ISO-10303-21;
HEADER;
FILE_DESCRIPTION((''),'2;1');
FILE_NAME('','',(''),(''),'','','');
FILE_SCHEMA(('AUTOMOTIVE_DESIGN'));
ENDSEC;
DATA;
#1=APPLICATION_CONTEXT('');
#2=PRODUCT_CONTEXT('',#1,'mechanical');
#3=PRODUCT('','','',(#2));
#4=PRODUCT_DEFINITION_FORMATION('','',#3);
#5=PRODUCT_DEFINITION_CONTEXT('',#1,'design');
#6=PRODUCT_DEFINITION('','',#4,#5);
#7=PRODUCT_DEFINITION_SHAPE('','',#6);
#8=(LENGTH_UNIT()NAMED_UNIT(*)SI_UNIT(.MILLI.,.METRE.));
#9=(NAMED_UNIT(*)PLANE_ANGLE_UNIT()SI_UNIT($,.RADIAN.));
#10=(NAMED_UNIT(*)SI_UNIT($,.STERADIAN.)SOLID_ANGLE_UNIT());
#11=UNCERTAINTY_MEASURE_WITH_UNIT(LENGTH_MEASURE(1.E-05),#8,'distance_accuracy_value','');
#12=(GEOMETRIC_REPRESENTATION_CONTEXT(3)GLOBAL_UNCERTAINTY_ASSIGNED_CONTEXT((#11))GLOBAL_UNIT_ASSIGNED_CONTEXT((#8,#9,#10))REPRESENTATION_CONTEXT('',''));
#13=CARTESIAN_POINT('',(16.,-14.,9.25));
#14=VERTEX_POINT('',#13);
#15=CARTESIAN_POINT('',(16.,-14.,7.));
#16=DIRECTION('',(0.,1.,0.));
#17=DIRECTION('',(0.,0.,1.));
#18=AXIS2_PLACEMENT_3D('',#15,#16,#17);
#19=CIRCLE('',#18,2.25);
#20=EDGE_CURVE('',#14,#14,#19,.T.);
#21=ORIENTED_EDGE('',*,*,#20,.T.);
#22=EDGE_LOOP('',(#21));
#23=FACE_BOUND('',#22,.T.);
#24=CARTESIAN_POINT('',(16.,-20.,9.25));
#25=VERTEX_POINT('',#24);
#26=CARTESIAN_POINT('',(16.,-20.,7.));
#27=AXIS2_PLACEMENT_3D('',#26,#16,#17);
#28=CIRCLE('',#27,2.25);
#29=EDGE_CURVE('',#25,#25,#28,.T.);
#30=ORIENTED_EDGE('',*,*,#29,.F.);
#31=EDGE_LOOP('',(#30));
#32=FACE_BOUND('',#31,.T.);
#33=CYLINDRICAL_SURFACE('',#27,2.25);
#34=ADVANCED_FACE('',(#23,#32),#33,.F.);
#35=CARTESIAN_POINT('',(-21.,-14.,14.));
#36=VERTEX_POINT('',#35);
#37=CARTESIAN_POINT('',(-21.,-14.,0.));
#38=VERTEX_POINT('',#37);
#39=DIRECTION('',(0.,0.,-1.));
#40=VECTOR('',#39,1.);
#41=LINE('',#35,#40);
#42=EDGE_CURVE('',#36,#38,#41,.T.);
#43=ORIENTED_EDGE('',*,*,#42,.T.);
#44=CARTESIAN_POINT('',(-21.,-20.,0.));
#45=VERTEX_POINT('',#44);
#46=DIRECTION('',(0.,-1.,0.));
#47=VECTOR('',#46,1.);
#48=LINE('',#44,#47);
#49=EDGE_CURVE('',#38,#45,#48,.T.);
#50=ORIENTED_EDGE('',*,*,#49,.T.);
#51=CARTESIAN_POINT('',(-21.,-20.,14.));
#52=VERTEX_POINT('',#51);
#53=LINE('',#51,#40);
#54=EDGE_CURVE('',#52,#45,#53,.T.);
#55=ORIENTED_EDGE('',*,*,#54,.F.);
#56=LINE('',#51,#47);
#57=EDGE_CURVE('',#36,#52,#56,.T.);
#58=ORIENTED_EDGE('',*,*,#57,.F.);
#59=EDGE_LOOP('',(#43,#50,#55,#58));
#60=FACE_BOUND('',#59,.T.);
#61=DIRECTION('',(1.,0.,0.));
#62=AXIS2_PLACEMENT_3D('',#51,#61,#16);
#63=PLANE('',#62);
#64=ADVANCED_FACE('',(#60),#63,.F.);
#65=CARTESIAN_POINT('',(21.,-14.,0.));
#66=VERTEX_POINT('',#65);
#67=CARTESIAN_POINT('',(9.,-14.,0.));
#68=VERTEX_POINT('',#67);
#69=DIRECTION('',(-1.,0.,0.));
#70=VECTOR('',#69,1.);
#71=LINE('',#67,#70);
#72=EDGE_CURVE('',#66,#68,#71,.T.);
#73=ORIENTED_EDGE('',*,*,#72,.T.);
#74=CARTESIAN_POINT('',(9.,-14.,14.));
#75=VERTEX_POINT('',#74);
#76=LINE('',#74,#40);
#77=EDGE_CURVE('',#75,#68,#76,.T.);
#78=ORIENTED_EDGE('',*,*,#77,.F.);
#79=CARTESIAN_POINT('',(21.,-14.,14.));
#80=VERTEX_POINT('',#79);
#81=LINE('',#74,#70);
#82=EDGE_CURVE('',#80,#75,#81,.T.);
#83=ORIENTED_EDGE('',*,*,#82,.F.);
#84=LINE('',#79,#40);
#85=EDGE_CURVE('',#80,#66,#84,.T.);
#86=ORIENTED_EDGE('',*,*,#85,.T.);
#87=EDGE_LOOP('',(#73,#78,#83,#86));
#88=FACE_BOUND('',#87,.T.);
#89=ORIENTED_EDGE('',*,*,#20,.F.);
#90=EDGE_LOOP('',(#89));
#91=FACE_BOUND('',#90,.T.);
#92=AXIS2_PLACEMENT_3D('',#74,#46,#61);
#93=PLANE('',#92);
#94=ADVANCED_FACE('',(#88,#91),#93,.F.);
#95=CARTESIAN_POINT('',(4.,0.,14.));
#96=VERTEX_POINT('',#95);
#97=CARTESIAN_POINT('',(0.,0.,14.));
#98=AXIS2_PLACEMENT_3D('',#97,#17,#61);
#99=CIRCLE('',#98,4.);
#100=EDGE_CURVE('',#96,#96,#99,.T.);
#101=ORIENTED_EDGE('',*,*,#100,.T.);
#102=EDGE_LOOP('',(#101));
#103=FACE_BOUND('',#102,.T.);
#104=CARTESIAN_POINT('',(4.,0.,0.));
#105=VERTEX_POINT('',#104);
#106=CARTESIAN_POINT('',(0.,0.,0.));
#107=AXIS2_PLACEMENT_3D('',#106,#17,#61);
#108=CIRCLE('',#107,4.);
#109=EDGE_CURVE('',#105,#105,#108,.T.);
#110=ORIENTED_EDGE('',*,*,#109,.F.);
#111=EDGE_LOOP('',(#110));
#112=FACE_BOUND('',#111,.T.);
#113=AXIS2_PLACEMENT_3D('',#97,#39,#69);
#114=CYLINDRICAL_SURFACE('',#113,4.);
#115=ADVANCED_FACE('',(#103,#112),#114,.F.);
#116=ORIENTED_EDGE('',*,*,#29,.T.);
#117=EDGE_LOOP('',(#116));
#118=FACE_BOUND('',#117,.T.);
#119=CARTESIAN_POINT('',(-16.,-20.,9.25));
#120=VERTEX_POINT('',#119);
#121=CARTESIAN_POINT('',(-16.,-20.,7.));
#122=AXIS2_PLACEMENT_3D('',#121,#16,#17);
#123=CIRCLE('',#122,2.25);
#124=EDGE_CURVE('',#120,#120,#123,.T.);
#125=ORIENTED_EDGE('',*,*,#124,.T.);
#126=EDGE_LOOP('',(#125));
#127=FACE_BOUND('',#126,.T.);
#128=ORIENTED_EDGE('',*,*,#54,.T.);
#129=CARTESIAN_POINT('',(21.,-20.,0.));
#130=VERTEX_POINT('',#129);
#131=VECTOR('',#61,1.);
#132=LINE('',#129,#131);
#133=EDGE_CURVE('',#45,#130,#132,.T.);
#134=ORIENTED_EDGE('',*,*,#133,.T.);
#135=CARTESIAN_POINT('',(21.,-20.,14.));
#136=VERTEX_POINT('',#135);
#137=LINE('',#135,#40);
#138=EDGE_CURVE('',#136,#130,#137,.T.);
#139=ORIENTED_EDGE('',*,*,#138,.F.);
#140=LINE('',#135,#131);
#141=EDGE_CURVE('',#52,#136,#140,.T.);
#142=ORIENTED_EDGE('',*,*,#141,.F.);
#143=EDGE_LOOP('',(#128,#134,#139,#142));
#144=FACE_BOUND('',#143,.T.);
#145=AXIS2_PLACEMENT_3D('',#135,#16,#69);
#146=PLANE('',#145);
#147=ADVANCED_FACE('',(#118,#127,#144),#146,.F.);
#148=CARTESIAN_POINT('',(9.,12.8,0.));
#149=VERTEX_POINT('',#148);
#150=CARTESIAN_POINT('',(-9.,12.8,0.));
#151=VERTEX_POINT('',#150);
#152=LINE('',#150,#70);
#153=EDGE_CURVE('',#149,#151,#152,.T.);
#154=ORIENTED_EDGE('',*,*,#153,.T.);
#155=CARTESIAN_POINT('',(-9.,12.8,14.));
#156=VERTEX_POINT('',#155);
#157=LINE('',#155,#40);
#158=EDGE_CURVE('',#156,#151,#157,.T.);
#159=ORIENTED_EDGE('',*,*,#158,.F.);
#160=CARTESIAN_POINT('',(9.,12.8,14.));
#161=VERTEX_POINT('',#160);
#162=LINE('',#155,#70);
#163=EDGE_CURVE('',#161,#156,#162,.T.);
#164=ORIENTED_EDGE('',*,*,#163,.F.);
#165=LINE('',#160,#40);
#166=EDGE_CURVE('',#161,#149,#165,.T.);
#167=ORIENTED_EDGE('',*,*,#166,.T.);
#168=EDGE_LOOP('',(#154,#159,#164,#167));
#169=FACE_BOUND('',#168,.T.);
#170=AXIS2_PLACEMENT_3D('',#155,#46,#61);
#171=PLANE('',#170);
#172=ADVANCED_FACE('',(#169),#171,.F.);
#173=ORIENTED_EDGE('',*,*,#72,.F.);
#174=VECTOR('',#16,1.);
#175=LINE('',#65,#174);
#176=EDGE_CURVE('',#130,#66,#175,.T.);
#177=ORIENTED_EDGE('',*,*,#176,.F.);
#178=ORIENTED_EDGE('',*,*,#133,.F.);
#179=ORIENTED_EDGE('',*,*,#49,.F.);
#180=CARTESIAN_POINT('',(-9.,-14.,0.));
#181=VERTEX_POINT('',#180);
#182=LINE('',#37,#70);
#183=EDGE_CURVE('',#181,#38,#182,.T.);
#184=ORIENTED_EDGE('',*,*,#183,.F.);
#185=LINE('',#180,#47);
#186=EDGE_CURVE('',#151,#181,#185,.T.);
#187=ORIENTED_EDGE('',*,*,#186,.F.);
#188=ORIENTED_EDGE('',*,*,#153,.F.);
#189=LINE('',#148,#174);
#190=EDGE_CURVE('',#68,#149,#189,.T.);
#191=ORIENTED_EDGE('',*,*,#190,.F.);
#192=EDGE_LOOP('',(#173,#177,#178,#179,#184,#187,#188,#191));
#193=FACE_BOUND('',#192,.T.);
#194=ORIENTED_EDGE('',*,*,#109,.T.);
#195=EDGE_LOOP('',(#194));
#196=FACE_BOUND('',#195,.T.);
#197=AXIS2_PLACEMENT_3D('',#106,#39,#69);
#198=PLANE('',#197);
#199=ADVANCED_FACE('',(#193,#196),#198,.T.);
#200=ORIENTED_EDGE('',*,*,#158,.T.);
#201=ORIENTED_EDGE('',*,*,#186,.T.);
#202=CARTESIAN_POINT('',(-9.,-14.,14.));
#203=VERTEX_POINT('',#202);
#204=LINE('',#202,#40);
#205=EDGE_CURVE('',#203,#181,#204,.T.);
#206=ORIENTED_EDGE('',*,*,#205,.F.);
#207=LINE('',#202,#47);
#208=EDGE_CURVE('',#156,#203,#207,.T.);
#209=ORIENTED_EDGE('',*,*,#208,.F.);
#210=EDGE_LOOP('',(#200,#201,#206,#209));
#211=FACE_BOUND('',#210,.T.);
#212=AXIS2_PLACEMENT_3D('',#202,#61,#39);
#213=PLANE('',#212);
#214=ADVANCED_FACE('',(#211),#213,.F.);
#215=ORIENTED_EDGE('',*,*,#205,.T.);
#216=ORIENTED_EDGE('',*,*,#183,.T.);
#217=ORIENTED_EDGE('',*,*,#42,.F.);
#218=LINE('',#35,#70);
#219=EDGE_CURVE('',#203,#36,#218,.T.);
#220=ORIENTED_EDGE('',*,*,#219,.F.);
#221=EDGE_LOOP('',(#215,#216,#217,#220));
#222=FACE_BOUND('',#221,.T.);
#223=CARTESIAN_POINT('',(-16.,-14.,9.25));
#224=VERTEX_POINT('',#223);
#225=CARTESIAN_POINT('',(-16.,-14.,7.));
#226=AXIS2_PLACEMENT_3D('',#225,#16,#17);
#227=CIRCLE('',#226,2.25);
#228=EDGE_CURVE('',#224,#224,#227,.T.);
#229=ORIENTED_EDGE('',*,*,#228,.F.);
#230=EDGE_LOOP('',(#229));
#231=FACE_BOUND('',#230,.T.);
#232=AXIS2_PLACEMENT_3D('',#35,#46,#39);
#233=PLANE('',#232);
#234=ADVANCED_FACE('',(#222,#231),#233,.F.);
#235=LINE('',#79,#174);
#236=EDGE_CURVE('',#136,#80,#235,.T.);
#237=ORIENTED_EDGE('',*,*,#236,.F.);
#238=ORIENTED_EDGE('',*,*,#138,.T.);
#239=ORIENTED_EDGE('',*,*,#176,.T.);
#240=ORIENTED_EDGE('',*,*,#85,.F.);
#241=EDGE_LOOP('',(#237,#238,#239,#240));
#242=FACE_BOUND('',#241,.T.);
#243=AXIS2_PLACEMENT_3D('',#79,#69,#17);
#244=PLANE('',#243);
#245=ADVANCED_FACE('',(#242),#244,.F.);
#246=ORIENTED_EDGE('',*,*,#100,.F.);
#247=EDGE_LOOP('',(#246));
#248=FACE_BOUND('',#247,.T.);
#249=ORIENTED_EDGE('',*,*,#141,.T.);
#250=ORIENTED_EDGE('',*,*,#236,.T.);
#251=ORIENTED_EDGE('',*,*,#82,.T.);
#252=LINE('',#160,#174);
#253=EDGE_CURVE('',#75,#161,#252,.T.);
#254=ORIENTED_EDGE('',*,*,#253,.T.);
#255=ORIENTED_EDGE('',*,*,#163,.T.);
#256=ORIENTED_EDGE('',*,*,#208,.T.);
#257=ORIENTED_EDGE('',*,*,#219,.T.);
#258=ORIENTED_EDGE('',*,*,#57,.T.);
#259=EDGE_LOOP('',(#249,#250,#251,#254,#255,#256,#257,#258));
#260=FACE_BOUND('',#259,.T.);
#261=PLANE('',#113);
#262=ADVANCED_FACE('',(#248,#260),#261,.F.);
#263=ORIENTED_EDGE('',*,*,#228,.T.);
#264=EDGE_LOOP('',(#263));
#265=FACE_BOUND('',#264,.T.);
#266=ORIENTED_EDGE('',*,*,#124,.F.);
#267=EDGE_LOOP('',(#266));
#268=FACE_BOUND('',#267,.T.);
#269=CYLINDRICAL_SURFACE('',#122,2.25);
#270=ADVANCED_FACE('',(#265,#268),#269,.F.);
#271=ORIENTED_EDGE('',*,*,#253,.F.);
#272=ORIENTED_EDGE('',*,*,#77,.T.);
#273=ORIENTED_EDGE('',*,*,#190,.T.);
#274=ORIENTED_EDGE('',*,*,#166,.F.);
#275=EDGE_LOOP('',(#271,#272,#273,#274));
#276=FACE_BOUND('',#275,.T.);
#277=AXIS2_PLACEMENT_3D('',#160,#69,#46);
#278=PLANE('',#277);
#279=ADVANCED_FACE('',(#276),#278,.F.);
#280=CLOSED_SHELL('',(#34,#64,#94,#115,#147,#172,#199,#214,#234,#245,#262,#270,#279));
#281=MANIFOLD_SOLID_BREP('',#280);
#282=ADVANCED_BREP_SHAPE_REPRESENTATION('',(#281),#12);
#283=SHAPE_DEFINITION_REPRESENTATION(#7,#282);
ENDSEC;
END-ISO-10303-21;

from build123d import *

# Parameters (mm, degrees)
SKETCH_1_R          = 4
EXTRUDE_1_DEPTH     = 14
SKETCH_2_R          = 2.25
CUT_EXTRUDE_1_DEPTH = 37.813584449


with BuildPart() as part:
    # 草图1 → 凸台-拉伸1 (new body)
    with BuildSketch(Plane.XY):
        Polygon((-9, 12.8), (9, 12.8), (9, -14), (21, -14), (21, -20), (-21, -20), (-21, -14), (-9, -14), align=None)
        Circle(SKETCH_1_R, mode=Mode.SUBTRACT)
    extrude(amount=EXTRUDE_1_DEPTH)

    # 草图2 → 切除-拉伸1 (cut, through all)
    with BuildSketch(Plane(origin=(0, -14, 0), x_dir=(1, 0, 0), z_dir=(0, 1, 0))):
        with Locations(Location((-16, -7, 0), (0, 0, 270))):
            Circle(SKETCH_2_R)
        with Locations(Location((16, -7, 0), (0, 0, 270))):
            Circle(SKETCH_2_R)
    extrude(amount=-CUT_EXTRUDE_1_DEPTH, mode=Mode.SUBTRACT)


solid = part.part
